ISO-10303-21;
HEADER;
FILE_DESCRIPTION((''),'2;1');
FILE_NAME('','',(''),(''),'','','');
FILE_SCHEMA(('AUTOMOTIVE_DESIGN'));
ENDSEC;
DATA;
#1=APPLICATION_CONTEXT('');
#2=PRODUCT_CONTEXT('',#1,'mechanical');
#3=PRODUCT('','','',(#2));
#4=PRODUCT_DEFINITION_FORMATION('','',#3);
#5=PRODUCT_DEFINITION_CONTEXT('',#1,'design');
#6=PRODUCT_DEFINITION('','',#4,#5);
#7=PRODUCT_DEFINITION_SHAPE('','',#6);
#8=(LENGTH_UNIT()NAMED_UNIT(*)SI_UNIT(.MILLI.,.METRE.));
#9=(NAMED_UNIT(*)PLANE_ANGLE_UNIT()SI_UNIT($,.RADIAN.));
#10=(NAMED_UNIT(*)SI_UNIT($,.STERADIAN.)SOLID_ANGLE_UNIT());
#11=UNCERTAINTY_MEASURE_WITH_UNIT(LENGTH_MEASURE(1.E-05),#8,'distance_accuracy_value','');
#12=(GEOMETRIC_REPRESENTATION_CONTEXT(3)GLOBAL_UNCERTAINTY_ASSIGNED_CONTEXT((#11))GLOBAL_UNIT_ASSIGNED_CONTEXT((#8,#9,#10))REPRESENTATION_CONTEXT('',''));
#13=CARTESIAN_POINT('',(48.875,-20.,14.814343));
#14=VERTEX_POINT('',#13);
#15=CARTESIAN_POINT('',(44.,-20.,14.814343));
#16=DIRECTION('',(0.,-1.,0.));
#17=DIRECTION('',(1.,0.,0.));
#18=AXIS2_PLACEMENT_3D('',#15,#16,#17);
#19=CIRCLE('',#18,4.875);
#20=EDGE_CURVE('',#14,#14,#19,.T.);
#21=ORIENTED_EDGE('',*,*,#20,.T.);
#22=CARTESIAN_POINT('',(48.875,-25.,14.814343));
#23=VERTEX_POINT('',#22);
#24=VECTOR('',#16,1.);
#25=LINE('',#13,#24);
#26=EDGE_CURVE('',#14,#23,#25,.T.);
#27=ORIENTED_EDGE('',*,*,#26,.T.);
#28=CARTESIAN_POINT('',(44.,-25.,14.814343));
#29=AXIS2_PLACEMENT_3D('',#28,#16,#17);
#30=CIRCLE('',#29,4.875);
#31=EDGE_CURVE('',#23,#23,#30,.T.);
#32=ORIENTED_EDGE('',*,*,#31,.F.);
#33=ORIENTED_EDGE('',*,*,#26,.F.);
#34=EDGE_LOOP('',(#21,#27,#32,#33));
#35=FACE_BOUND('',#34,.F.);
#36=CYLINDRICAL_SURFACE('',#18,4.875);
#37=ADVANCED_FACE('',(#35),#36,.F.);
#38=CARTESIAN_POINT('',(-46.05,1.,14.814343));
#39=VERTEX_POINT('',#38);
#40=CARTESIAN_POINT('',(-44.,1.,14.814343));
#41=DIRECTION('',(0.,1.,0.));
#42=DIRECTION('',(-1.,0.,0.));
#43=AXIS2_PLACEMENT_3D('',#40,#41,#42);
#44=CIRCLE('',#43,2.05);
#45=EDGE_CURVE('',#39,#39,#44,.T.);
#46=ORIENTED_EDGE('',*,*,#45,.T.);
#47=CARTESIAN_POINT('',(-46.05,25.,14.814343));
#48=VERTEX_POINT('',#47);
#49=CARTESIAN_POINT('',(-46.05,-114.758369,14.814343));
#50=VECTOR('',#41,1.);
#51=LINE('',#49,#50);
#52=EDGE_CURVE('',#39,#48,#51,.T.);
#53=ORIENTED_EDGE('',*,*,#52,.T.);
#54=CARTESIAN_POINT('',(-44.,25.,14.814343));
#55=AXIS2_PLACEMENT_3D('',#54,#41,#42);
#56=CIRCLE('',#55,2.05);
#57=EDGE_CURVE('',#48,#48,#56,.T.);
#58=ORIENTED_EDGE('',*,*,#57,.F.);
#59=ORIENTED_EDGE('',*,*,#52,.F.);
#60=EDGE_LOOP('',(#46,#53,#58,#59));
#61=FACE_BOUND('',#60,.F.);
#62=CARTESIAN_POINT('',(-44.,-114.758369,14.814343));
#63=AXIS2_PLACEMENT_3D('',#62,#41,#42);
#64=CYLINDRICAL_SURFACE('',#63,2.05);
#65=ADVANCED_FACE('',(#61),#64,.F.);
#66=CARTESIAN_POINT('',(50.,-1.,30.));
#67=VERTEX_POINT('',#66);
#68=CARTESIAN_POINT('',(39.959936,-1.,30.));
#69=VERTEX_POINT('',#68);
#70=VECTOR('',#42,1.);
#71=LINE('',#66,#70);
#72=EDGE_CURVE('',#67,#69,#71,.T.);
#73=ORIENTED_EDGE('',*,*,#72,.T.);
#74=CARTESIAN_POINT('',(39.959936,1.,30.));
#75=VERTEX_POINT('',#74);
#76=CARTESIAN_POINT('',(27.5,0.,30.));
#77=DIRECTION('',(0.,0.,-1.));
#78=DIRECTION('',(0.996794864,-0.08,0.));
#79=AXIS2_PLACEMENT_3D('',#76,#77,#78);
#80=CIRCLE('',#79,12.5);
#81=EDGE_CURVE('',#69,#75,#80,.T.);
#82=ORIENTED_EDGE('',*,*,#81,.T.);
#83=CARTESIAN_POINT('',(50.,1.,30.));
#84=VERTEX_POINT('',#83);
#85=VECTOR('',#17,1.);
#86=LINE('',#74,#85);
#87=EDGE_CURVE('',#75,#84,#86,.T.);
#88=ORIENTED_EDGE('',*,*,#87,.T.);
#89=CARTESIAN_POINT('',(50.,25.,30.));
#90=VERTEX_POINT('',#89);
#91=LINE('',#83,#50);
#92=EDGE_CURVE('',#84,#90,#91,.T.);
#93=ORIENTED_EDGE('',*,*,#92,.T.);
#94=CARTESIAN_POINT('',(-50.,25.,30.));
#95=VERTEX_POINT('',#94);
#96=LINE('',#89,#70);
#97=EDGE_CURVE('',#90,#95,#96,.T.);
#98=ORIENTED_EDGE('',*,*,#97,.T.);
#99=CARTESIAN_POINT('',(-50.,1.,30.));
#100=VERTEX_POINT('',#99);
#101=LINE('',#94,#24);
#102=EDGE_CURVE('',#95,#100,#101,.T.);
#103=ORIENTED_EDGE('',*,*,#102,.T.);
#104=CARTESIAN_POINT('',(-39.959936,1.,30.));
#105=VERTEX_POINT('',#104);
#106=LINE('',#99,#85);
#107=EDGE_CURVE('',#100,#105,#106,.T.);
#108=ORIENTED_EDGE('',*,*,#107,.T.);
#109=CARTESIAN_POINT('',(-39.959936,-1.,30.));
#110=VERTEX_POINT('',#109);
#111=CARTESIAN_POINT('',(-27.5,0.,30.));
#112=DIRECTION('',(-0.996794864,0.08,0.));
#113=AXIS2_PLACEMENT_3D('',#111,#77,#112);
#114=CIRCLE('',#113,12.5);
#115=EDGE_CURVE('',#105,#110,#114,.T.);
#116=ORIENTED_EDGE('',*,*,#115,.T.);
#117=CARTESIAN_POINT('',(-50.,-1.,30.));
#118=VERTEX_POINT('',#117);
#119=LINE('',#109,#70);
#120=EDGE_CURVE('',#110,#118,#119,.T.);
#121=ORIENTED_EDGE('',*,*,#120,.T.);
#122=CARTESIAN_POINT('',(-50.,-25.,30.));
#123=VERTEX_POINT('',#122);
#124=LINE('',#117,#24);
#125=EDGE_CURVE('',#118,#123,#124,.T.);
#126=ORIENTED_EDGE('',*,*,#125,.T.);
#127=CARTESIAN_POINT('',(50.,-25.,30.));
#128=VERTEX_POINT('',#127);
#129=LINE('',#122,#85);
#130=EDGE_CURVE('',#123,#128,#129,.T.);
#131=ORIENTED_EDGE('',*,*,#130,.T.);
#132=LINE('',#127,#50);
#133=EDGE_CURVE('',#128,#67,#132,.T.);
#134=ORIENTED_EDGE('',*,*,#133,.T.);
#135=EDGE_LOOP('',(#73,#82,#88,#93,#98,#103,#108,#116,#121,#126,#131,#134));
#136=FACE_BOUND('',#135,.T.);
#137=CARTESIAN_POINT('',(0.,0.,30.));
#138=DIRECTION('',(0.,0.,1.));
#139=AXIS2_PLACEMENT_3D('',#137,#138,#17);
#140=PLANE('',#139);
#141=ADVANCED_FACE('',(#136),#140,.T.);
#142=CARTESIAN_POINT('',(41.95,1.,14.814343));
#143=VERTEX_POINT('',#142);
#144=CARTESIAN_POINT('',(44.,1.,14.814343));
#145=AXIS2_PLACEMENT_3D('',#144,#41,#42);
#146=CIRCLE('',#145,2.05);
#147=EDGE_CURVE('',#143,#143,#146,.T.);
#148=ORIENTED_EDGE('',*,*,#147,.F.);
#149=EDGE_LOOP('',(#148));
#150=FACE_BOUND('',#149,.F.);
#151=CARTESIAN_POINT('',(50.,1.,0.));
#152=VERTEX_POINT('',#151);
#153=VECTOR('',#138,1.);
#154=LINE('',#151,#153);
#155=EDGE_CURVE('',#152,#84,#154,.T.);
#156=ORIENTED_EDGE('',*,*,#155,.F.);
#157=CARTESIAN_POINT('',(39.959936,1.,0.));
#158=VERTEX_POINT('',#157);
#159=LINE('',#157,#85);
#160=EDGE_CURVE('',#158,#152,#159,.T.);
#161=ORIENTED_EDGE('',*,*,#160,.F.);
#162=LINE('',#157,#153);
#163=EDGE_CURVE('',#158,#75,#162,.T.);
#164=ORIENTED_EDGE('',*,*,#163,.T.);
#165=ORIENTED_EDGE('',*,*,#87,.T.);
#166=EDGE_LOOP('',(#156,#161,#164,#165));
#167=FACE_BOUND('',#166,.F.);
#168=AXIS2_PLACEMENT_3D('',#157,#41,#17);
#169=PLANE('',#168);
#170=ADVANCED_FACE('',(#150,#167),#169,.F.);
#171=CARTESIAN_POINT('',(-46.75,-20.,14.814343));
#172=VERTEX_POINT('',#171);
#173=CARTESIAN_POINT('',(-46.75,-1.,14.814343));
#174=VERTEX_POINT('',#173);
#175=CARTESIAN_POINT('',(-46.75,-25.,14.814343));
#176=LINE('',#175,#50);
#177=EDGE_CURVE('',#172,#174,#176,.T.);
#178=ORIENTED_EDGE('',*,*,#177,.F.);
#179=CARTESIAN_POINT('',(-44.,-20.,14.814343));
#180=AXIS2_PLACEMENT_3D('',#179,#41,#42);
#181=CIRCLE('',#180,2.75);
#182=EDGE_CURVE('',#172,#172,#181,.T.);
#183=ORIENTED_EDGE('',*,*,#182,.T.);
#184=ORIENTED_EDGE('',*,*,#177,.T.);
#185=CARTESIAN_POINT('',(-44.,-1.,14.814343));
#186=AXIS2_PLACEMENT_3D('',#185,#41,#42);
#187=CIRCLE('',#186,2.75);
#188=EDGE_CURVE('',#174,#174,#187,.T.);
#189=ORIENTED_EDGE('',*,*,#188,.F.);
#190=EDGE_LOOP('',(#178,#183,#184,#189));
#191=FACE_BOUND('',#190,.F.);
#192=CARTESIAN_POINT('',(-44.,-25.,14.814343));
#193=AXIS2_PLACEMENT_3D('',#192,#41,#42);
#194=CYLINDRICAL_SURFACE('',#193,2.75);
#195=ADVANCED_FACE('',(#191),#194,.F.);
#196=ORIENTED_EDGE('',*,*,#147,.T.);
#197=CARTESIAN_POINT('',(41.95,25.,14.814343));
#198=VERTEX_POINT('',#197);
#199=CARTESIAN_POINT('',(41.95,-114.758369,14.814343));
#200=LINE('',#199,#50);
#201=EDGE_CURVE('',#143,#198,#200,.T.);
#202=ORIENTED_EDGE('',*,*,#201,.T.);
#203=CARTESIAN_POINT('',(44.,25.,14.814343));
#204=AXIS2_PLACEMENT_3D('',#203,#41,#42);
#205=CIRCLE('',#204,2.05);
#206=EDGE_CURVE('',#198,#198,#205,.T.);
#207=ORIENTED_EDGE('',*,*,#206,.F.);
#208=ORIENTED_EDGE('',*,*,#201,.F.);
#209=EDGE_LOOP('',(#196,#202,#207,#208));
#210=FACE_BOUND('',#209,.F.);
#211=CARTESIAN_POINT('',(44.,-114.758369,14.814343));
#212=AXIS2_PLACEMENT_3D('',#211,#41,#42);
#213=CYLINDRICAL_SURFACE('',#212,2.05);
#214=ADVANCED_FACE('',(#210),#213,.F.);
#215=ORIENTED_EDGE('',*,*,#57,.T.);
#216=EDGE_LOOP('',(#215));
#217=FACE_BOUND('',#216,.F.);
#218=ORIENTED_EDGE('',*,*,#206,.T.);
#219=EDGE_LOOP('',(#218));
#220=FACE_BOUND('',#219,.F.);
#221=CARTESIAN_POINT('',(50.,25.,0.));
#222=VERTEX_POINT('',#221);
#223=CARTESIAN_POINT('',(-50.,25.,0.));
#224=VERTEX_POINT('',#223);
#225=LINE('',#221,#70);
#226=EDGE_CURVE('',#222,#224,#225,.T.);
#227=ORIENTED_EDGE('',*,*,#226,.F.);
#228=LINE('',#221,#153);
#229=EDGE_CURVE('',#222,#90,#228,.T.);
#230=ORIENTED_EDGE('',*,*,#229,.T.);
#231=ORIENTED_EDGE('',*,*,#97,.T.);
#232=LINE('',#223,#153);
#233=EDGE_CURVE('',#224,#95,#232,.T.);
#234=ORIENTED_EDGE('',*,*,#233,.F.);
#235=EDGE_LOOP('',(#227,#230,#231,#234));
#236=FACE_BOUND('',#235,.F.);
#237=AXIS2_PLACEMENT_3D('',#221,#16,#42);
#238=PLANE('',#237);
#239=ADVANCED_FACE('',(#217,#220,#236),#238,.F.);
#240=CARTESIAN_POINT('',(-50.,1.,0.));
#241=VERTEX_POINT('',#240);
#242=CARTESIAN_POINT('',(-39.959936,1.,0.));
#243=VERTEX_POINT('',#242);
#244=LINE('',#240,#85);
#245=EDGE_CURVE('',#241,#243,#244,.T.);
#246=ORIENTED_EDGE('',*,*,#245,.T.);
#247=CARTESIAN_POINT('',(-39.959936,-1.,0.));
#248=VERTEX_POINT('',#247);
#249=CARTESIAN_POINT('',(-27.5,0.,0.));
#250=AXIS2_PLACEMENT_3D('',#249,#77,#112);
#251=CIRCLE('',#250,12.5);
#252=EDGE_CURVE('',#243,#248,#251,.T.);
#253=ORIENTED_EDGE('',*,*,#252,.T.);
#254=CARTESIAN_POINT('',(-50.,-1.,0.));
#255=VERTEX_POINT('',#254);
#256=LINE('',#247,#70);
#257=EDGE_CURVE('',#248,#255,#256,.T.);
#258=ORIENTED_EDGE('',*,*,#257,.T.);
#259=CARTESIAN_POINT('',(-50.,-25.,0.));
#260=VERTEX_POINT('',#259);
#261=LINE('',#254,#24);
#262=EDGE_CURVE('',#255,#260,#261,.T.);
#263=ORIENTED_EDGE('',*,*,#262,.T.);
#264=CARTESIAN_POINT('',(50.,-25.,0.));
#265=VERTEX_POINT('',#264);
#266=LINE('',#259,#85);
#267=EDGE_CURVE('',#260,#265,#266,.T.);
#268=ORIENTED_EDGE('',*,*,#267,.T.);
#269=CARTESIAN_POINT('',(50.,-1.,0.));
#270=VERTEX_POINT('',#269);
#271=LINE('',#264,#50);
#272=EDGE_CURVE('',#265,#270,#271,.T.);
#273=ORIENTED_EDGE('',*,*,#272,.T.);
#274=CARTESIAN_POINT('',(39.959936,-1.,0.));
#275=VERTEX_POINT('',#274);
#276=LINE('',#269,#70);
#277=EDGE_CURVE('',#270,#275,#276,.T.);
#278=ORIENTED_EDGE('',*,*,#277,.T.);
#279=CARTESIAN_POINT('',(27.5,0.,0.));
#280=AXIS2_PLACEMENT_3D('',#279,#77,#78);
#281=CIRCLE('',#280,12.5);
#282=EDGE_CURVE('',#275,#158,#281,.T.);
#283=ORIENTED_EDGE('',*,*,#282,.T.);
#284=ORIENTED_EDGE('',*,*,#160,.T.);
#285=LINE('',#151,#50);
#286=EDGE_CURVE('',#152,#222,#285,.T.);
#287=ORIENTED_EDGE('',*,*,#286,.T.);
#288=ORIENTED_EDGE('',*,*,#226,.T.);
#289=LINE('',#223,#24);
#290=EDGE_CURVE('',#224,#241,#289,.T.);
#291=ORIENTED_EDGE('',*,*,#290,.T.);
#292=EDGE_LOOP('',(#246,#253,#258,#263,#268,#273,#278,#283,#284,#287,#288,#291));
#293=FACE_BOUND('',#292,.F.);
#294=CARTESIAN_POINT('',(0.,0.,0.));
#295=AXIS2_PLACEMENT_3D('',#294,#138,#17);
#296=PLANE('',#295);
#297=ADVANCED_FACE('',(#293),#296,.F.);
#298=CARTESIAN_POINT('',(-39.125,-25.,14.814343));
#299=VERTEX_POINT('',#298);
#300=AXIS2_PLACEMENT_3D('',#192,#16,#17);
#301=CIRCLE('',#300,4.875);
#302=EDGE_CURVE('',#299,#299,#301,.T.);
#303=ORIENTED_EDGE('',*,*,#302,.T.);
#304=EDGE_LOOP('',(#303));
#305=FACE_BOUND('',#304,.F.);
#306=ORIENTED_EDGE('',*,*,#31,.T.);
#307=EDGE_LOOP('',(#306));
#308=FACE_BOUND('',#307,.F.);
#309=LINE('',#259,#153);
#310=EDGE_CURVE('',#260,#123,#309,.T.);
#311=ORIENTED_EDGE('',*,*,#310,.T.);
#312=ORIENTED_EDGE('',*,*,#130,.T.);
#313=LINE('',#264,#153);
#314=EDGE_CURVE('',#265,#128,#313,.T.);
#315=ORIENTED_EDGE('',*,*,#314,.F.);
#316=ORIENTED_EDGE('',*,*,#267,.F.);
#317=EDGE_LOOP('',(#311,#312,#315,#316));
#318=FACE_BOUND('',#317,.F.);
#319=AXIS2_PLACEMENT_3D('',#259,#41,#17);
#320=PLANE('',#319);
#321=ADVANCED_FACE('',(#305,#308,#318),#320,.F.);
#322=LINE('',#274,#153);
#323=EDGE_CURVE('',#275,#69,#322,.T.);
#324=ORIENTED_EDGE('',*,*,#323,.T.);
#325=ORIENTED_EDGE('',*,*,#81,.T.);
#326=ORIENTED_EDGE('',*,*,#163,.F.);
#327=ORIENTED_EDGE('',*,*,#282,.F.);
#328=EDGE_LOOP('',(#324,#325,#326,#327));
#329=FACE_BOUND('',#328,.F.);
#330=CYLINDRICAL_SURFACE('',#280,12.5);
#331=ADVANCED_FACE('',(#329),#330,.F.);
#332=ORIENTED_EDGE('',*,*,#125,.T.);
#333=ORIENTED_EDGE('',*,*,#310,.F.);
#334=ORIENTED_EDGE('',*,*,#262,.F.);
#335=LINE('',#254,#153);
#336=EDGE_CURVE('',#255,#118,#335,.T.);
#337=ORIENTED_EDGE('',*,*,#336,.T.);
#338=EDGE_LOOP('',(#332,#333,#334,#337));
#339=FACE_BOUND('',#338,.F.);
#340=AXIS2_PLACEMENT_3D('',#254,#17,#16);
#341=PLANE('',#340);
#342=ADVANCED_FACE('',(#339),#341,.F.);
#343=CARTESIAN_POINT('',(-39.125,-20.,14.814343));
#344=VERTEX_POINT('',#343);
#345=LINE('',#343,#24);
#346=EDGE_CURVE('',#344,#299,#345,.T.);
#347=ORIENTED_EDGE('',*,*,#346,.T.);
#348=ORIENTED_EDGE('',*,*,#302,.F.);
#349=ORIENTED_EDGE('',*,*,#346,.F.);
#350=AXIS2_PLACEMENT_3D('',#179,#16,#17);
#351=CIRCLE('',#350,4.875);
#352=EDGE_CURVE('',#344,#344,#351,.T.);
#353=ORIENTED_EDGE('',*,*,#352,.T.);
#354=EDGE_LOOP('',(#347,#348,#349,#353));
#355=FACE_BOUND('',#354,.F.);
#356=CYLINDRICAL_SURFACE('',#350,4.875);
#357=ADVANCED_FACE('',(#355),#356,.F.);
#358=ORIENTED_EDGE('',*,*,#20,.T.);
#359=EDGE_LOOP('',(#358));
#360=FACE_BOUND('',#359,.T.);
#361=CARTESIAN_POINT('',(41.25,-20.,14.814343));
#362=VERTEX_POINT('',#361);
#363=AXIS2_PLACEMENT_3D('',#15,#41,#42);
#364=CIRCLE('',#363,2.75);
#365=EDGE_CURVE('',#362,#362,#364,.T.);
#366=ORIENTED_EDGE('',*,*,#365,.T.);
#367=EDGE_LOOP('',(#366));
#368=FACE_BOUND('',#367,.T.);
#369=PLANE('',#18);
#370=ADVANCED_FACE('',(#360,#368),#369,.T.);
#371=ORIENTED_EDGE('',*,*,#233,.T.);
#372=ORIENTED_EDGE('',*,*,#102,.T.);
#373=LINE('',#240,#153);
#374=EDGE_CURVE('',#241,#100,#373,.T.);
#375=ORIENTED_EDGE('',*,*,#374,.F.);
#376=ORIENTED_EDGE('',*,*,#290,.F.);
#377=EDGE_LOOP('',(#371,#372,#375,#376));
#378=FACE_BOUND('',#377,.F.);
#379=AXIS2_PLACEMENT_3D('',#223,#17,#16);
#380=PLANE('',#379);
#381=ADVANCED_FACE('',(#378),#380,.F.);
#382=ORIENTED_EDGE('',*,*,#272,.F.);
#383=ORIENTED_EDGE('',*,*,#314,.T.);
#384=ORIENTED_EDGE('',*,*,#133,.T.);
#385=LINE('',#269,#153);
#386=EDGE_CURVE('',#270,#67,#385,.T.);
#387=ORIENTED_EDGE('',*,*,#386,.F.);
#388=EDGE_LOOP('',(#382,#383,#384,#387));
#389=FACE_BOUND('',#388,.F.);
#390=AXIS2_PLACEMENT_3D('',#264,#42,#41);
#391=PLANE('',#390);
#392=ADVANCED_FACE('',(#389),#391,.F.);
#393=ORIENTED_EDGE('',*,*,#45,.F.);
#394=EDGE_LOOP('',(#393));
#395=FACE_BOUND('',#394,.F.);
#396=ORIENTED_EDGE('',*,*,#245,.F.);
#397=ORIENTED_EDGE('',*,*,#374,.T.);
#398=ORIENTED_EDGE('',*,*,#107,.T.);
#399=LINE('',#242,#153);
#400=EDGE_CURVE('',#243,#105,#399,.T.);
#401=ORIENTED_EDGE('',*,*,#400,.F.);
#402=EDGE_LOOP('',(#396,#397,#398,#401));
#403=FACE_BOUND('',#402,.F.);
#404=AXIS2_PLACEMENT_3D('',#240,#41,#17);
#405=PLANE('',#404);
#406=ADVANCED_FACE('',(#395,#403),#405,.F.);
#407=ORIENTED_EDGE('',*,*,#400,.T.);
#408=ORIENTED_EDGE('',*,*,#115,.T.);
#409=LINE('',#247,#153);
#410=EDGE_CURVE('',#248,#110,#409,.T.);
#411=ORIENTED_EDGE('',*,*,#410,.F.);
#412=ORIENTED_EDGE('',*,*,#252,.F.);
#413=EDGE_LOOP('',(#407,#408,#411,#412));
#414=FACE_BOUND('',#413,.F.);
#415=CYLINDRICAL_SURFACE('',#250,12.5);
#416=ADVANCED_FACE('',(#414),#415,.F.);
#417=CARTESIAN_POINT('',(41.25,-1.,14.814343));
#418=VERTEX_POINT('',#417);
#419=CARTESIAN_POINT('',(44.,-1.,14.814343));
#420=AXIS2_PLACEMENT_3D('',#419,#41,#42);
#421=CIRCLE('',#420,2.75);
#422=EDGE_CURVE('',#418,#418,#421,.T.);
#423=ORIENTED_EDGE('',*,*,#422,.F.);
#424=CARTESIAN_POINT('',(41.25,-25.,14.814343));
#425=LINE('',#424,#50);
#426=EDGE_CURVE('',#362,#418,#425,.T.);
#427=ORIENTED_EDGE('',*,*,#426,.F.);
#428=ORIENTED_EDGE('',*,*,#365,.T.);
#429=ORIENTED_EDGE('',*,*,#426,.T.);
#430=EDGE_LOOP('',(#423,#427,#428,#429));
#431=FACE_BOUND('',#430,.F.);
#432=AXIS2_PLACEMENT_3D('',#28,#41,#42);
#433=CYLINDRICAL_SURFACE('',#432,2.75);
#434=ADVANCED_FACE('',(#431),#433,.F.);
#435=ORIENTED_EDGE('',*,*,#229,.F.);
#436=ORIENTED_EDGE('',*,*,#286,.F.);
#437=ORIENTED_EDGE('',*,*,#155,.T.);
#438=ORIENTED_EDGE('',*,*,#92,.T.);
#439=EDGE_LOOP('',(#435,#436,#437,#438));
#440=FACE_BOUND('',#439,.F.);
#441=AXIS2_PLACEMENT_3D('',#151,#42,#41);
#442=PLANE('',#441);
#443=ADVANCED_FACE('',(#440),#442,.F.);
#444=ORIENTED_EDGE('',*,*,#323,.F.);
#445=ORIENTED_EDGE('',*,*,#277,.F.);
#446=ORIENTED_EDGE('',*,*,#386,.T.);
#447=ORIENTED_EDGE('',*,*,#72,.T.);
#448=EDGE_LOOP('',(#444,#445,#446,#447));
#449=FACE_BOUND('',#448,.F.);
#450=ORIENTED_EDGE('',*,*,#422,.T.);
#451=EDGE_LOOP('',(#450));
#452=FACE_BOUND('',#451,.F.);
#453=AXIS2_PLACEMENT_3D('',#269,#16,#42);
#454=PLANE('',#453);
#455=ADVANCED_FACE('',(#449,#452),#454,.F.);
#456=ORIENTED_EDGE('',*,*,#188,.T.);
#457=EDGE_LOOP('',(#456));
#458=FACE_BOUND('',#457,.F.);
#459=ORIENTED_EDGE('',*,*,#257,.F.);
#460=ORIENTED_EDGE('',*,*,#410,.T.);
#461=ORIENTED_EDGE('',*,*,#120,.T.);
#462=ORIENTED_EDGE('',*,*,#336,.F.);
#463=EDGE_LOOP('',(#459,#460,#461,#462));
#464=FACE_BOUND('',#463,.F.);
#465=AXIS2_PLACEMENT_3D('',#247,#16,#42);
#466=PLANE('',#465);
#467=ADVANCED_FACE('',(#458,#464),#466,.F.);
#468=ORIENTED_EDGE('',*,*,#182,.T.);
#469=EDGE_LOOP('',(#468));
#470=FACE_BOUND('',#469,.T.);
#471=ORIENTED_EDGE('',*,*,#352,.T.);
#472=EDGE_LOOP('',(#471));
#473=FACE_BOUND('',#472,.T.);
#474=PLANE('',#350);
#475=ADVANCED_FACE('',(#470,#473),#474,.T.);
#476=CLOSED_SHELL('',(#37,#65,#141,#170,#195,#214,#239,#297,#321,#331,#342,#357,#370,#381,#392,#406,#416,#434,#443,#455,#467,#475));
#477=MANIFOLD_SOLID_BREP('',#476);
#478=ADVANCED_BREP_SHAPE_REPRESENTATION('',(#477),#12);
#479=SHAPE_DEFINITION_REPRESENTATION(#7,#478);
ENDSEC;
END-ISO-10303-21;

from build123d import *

# Parameters (mm, degrees)
F1_DEPTH       = 30
F3_D           = 5.5
F3_DEPTH       = 25
F3_CBORE_D     = 9.75
F3_CBORE_DEPTH = 5
F3_TIP         = 1.6523667023
F5_D           = 4.1


with BuildPart() as f1:
    # F0 (on Top) → F1 (new body)
    with BuildSketch(Plane.XY):
        with BuildLine():
            Line((50, 1), (50, 25))
            Line((50, 25), (-50, 25))
            Line((-50, 25), (-50, 1))
            Line((-50, 1), (-39.9599357944, 1))
            ThreePointArc((-39.9599357944, 1), (-15, 0), (-39.9599357944, -1))
            Line((-39.9599357944, -1), (-50, -1))
            Line((-50, -1), (-50, -25))
            Line((-50, -25), (50, -25))
            Line((50, -25), (50, -1))
            Line((50, -1), (39.9599357944, -1))
            ThreePointArc((39.9599357944, -1), (15, 0), (39.9599357944, 1))
            Line((39.9599357944, 1), (50, 1))
        make_face()
    extrude(amount=F1_DEPTH)

    # F3
    with Locations(Plane.XZ.offset(25)):
        with Locations((-44, 14.8143433034), (44, 14.8143433034)):
            CounterBoreHole(F3_D / 2, F3_CBORE_D / 2, F3_CBORE_DEPTH, depth=F3_DEPTH)
            with Locations((0, 0, -(F3_DEPTH + F3_TIP / 2))):  # 118° drill point
                Cone(0, F3_D / 2, F3_TIP, mode=Mode.SUBTRACT)

    # F5 (through all)
    with Locations(Plane.XZ.offset(-1)):
        with Locations((-44, 14.8143433034), (44, 14.8143433034)):
            Hole(F5_D / 2)


solid = f1.part
